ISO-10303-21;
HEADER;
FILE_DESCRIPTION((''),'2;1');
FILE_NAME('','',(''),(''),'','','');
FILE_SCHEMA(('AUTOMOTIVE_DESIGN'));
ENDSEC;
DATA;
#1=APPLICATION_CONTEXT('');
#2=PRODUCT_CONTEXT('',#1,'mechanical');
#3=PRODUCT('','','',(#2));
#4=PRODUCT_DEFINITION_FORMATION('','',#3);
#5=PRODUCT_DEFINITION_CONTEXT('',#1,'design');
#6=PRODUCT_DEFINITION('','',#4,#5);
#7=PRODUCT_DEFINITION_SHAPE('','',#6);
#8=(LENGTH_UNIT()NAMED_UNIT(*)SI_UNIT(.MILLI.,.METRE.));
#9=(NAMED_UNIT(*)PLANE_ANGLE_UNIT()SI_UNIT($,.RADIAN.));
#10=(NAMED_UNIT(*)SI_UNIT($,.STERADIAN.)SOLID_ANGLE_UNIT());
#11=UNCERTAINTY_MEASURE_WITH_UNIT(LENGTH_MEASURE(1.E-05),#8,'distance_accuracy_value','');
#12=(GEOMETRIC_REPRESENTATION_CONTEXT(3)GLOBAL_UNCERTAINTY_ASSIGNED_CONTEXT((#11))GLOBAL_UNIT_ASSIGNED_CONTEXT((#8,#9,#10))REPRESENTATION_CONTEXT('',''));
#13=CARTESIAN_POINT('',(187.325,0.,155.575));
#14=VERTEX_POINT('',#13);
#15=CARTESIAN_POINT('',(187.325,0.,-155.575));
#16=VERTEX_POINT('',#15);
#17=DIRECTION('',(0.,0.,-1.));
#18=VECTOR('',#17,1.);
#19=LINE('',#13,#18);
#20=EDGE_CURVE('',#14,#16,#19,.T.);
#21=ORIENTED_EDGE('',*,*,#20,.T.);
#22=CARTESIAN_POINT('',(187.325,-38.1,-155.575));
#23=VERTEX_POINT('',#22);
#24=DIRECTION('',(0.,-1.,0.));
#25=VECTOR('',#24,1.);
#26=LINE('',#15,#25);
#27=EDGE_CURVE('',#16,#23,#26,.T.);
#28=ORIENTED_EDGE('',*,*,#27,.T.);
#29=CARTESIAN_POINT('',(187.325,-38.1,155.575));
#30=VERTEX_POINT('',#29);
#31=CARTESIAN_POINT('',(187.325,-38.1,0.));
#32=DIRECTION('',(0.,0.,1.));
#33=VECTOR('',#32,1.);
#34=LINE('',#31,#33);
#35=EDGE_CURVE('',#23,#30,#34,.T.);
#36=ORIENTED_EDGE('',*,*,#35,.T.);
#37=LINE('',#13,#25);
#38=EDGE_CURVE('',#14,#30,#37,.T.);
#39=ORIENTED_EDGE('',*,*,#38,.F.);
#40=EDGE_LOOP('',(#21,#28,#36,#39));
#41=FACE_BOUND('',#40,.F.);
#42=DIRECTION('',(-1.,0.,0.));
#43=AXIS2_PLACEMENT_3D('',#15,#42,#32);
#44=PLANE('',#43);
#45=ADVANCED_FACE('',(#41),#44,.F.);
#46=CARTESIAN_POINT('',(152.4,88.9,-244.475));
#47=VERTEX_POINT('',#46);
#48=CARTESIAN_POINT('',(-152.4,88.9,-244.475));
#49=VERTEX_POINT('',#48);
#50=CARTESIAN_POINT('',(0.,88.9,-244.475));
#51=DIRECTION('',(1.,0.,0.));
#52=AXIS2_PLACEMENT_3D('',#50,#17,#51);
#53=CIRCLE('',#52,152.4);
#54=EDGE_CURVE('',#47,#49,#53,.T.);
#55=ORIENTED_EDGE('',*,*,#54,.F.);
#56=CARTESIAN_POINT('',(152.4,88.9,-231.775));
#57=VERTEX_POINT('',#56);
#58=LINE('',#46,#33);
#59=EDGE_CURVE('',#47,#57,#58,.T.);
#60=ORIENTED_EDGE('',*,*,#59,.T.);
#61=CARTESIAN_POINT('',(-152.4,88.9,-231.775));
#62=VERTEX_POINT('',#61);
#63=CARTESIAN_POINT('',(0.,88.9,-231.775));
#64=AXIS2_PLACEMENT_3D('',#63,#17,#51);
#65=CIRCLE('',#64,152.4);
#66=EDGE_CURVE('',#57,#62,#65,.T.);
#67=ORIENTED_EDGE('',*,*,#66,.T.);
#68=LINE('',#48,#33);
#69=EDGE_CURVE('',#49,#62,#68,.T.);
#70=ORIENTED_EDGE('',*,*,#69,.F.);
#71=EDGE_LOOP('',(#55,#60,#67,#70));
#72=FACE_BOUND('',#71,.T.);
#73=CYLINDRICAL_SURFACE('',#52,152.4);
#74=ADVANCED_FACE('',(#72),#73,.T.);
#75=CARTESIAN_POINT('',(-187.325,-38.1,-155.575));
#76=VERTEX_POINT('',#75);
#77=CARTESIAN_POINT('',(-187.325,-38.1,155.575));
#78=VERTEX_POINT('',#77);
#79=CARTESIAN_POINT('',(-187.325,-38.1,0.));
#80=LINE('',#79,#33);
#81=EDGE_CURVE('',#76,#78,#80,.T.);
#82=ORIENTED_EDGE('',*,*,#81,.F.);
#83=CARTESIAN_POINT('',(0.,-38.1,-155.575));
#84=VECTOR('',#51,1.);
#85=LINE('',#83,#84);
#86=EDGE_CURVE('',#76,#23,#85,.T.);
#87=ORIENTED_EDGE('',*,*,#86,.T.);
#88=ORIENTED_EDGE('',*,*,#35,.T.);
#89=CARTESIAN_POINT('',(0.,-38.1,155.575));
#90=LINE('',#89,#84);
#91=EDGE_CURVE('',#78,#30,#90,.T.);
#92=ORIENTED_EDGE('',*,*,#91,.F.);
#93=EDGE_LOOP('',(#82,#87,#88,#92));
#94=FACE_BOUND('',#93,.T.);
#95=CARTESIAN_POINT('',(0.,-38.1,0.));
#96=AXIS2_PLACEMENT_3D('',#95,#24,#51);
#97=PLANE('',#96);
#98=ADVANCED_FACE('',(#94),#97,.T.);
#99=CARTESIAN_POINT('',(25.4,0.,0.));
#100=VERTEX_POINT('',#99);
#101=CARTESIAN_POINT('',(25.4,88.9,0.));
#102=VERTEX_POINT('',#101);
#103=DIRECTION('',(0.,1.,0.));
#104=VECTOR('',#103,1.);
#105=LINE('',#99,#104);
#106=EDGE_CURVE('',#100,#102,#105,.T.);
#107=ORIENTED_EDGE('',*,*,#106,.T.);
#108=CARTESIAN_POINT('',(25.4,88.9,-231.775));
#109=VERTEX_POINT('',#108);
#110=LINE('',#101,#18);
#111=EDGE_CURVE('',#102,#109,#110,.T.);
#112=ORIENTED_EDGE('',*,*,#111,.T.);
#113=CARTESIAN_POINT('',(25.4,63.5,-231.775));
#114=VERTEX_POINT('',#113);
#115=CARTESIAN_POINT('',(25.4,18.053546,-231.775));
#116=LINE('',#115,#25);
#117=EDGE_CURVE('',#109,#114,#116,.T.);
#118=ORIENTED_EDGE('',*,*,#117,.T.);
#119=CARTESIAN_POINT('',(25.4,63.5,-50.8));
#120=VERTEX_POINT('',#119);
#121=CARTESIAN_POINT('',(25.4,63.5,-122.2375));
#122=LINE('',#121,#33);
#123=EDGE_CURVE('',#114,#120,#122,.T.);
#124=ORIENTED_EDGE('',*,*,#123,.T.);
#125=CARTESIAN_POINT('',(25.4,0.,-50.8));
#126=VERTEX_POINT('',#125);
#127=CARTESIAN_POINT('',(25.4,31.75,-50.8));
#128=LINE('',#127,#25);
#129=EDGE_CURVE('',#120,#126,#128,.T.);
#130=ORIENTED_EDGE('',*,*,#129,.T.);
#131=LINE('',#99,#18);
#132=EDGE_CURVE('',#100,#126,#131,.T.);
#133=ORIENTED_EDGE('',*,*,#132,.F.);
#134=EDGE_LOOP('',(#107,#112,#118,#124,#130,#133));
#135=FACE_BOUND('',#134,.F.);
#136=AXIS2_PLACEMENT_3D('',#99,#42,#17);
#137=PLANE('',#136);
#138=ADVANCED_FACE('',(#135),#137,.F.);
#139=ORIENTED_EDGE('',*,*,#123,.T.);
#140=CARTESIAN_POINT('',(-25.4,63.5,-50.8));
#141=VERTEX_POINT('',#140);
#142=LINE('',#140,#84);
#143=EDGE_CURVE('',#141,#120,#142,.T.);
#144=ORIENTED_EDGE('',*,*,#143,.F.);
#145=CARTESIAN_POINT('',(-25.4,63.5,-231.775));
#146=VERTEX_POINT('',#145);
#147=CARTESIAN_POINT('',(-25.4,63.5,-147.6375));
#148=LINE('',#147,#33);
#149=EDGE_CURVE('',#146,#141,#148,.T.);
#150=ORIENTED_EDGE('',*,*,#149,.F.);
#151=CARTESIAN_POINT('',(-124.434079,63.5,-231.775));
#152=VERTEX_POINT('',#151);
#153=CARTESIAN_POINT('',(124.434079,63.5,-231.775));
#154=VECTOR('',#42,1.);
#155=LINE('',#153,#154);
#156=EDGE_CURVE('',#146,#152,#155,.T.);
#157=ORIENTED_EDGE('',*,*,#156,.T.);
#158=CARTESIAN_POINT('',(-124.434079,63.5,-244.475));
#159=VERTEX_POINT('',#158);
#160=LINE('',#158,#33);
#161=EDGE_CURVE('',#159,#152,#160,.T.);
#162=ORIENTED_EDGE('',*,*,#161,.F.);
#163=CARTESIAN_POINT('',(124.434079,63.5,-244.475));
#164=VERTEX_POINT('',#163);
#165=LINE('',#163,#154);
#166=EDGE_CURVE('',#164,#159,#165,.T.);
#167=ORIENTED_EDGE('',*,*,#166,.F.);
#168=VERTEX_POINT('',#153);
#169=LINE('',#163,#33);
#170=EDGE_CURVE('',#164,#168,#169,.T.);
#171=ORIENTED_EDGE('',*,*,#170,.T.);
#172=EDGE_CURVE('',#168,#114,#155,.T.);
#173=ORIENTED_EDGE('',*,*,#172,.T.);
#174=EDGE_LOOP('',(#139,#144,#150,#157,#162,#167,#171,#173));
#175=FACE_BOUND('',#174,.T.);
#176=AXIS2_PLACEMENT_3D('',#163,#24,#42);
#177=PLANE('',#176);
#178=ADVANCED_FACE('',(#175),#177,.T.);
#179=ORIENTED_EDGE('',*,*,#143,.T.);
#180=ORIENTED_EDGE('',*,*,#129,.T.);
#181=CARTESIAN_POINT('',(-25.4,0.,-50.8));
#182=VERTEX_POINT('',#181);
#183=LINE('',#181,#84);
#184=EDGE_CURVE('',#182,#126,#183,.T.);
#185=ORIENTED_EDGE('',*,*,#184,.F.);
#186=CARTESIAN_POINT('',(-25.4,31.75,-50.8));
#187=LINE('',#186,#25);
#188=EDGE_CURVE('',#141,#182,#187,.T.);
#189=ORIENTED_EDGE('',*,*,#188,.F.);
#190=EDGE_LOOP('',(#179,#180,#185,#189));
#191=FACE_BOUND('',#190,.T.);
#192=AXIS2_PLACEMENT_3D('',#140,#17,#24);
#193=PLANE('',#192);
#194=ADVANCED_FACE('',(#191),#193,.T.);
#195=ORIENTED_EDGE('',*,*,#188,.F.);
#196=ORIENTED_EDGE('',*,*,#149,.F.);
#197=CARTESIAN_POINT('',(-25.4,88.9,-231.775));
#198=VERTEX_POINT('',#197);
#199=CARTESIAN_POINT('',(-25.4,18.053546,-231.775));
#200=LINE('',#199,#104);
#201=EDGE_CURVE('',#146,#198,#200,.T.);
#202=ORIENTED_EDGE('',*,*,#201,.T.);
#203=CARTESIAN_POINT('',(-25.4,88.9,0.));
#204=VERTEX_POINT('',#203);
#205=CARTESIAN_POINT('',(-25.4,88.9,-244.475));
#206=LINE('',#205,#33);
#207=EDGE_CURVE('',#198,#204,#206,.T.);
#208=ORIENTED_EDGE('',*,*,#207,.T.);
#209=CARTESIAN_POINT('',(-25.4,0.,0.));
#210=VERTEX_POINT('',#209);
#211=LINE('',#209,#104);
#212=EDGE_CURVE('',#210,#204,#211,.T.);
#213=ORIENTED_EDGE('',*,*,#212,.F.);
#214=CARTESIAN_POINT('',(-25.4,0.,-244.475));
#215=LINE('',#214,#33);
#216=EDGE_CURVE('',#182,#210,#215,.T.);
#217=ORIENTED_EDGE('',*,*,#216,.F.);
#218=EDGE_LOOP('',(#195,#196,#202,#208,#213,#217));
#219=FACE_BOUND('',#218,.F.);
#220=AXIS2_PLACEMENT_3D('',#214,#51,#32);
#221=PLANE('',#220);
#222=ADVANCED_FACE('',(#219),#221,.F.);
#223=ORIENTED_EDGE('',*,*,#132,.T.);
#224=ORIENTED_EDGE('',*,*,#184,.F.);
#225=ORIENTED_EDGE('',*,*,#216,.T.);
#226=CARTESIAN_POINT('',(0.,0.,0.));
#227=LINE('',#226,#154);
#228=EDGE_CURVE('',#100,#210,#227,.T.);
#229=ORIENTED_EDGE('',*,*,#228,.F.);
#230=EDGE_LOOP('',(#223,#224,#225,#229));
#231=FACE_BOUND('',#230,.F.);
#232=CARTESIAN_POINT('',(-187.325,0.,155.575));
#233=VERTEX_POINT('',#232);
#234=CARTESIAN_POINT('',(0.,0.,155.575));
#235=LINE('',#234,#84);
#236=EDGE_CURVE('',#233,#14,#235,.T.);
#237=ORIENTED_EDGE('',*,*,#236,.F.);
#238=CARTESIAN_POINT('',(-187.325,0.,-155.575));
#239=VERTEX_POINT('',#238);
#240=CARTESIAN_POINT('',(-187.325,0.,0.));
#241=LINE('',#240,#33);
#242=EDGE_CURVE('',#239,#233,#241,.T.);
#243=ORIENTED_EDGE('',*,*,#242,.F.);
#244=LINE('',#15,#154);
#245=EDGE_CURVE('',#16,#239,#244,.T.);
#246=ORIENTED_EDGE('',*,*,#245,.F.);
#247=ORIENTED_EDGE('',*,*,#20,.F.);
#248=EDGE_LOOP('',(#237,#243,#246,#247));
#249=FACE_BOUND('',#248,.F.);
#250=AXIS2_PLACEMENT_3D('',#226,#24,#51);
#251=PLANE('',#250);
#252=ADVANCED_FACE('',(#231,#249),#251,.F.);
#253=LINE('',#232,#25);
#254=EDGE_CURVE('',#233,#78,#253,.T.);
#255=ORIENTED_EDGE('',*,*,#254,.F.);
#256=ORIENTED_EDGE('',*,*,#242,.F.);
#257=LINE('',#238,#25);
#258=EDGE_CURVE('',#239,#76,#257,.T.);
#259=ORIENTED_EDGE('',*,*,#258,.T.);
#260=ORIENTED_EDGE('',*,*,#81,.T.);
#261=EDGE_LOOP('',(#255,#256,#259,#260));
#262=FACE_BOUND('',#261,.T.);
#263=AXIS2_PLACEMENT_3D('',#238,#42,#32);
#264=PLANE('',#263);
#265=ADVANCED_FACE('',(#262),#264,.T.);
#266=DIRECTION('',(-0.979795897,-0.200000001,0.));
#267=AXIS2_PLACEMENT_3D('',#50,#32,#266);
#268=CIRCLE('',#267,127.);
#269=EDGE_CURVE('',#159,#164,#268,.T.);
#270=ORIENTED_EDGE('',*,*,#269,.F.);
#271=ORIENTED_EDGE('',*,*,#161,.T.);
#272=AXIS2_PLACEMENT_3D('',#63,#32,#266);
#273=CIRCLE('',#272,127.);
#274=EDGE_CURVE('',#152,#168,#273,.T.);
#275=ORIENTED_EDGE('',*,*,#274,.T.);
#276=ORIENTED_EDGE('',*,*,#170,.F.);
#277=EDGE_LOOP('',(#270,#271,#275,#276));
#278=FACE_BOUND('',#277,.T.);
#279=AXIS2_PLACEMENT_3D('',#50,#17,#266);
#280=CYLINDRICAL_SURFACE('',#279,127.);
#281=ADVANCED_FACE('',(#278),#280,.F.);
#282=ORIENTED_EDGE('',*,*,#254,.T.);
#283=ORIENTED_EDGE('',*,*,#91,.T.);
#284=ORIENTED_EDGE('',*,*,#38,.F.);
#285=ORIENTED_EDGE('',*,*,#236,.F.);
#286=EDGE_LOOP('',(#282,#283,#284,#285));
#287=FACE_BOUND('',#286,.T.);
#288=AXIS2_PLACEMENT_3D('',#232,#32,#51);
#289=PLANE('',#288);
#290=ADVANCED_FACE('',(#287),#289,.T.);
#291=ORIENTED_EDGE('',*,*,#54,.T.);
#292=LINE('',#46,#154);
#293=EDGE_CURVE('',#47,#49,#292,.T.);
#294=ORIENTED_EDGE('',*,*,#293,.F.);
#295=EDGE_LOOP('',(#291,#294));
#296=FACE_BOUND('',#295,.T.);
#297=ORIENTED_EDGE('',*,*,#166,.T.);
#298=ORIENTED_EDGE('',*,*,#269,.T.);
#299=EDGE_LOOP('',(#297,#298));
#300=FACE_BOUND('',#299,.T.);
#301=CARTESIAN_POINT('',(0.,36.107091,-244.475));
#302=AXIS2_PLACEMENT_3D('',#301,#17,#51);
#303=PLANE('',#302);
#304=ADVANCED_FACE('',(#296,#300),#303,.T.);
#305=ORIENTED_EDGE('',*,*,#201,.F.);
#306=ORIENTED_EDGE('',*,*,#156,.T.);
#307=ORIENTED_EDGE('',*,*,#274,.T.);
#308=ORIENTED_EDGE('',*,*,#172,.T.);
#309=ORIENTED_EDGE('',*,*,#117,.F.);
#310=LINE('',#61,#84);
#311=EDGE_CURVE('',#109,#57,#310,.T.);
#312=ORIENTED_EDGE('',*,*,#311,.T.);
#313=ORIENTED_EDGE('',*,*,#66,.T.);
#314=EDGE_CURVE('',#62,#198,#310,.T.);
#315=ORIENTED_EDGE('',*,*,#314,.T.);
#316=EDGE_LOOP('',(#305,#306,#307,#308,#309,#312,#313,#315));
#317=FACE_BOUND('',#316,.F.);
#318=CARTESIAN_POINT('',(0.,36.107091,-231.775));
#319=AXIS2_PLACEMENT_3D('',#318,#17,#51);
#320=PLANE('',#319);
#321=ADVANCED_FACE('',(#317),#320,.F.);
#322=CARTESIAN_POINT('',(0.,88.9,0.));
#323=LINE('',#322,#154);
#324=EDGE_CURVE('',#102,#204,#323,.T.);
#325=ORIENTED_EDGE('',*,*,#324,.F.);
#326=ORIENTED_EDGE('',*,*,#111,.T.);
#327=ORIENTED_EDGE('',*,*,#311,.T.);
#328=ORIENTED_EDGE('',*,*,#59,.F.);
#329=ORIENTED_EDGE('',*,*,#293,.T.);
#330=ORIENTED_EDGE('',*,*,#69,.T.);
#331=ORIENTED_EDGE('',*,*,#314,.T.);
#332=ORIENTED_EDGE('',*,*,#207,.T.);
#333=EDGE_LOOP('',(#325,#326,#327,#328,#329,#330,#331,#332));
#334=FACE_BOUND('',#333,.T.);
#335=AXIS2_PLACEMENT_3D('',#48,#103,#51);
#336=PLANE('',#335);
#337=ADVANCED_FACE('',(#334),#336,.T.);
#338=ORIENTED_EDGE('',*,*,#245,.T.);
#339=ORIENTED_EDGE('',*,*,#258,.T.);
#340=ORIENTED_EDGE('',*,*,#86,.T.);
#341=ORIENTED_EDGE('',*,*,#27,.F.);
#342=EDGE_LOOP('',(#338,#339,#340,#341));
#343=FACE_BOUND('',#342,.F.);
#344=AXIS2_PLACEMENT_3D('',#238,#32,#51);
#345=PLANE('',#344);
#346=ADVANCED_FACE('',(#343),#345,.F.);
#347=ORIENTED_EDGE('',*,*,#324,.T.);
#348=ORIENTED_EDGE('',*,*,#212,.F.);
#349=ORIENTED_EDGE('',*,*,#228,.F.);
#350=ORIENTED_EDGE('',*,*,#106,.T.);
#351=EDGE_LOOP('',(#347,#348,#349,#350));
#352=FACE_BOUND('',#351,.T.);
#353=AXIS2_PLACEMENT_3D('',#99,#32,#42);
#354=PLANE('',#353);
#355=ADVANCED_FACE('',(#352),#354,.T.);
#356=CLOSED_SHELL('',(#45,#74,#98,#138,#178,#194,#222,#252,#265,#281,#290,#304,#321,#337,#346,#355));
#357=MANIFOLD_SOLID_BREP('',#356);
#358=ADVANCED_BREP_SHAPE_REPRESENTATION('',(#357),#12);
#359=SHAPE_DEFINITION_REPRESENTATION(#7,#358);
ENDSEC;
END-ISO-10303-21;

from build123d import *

# Parameters (mm, degrees)
F0_W     = 374.65
F0_H     = 311.15
F1_DEPTH = 38.1
F2_W     = 50.8
F2_H     = 88.9
F2_H_2   = 155.575
F3_DEPTH = 88.9
F4_W     = 63.5
F4_H     = 193.675
F5_DEPTH = 212.726
F7_DEPTH = 12.7


with BuildPart() as f1:
    # F0 (on Front) → F1 (new body)
    with BuildSketch(Plane.XZ):
        Rectangle(F0_W, F0_H)
    extrude(amount=F1_DEPTH)

    # F2 (on face) → F3 (join)
    with BuildSketch(Plane(origin=(0, 0, 0), x_dir=(-1, 0, 0), z_dir=(0, 1, 0))):
        with Locations((0, -200.025)):
            Rectangle(F2_W, F2_H)
        with Locations((0, -77.7875)):
            Rectangle(F2_W, F2_H_2)
    extrude(amount=F3_DEPTH)

    # F4 (on face) → F5 (cut, through all)
    with BuildSketch(Plane(origin=(-25.4, 0, 0), x_dir=(0, -1, 0), z_dir=(-1, 0, 0))):
        with Locations((-31.75, -147.6375)):
            Rectangle(F4_W, F4_H)
    extrude(amount=-F5_DEPTH, mode=Mode.SUBTRACT)

    # F6 (on face) → F7 (join)
    with BuildSketch(Plane(origin=(0, 0, -244.475), x_dir=(1, 0, 0), z_dir=(0, 0, -1))):
        with BuildLine():
            Line((-152.4, -88.9), (152.4, -88.9))
            ThreePointArc((152.4, -88.9), (0, 63.5), (-152.4, -88.9))
        make_face()
        with BuildLine():
            ThreePointArc((-124.434079, -63.5), (0, 38.1), (124.434079, -63.5))
            Line((124.434079, -63.5), (-124.434079, -63.5))
        make_face(mode=Mode.SUBTRACT)
    extrude(amount=-F7_DEPTH)


solid = f1.part
